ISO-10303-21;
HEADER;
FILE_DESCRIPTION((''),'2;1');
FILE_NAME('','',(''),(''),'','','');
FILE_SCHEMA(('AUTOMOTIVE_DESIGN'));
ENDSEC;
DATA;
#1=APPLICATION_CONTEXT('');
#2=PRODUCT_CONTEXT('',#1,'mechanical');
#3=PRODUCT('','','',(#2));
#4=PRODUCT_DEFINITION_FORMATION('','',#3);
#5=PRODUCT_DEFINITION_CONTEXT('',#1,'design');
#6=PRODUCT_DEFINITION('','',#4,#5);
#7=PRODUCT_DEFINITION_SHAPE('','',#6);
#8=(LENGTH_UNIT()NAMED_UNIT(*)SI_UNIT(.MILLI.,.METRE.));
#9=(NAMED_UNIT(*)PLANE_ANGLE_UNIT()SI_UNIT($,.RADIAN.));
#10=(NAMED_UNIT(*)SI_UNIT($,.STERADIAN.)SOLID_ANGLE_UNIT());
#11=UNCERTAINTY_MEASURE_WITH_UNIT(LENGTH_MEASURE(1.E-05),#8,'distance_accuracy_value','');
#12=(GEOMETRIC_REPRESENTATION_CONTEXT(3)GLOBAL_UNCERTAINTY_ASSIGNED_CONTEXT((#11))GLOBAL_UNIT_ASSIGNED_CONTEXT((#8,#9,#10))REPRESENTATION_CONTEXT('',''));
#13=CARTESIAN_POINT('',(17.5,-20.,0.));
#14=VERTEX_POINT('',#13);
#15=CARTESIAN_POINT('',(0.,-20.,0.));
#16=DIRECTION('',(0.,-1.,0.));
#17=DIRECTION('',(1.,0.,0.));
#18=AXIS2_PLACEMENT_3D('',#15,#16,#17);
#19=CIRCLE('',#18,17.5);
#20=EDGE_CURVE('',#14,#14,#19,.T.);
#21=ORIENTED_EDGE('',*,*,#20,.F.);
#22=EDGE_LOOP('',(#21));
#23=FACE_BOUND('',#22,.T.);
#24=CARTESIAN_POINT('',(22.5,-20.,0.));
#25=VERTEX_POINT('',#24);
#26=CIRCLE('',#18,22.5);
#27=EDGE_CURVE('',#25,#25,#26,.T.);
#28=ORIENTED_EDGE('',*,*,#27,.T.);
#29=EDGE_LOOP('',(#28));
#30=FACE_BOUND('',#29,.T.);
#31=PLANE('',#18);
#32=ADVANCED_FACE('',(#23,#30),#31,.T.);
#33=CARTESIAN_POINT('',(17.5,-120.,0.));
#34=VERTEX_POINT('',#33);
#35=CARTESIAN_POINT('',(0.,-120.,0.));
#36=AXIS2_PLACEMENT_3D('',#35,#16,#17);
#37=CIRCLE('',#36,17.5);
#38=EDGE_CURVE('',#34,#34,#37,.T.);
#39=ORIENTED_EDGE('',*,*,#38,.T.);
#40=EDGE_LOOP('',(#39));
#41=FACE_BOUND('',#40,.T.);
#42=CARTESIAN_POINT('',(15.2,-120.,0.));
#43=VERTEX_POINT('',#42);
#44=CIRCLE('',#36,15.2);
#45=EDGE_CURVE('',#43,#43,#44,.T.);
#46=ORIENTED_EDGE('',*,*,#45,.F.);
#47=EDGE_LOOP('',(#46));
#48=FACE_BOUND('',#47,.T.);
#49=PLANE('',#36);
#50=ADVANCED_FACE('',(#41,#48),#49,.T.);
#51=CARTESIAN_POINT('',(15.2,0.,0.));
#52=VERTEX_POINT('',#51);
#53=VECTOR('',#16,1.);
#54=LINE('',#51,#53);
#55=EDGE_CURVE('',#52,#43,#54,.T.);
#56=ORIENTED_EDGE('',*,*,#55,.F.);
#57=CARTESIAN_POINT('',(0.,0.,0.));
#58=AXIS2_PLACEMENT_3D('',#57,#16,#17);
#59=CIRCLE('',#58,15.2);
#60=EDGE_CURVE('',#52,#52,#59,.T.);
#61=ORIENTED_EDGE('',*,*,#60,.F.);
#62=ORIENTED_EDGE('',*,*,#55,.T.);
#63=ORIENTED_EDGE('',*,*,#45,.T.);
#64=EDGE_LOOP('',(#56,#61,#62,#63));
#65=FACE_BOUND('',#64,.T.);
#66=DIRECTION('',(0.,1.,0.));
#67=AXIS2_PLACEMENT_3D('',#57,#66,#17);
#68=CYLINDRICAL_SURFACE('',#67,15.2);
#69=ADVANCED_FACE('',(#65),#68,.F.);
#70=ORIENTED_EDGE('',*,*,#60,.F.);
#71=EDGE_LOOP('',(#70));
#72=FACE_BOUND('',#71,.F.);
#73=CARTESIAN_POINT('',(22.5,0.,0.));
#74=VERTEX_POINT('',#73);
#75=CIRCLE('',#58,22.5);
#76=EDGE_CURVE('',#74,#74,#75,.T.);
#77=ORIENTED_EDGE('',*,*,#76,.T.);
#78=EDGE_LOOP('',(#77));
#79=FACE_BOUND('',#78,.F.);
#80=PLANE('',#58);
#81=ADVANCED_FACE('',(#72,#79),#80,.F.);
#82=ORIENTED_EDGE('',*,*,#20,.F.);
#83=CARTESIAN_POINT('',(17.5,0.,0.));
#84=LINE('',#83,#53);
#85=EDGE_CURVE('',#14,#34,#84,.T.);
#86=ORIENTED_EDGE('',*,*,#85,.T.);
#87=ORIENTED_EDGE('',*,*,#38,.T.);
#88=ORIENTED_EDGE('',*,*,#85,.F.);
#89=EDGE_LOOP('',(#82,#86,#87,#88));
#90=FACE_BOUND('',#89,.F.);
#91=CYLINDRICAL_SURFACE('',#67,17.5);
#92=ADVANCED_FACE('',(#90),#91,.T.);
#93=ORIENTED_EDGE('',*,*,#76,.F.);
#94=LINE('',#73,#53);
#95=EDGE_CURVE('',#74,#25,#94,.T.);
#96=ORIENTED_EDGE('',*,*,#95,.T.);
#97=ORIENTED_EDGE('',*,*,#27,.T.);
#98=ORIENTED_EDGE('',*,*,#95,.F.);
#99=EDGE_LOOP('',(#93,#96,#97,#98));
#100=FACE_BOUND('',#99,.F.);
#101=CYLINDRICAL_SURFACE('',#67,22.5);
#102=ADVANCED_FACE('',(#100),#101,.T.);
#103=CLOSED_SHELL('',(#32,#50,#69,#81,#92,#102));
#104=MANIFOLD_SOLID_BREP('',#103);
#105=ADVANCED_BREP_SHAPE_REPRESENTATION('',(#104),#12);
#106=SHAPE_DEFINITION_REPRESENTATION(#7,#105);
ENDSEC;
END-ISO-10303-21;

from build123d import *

# Parameters (mm, degrees)
F0_R     = 17.5
F0_R_2   = 15.2
F0_R_3   = 22.5
F1_DEPTH = 20
F2_DEPTH = 120


with BuildPart() as f1:
    # F0 (on Front) → F1 (new body)
    with BuildSketch(Plane.XZ):
        Circle(F0_R)
        Circle(F0_R_2, mode=Mode.SUBTRACT)
        Circle(F0_R_3)
        Circle(F0_R, mode=Mode.SUBTRACT)
    extrude(amount=F1_DEPTH)

    # F0 (on Front) → F2 (join)
    with BuildSketch(Plane.XZ):
        Circle(F0_R)
        Circle(F0_R_2, mode=Mode.SUBTRACT)
    extrude(amount=F2_DEPTH)


solid = f1.part
